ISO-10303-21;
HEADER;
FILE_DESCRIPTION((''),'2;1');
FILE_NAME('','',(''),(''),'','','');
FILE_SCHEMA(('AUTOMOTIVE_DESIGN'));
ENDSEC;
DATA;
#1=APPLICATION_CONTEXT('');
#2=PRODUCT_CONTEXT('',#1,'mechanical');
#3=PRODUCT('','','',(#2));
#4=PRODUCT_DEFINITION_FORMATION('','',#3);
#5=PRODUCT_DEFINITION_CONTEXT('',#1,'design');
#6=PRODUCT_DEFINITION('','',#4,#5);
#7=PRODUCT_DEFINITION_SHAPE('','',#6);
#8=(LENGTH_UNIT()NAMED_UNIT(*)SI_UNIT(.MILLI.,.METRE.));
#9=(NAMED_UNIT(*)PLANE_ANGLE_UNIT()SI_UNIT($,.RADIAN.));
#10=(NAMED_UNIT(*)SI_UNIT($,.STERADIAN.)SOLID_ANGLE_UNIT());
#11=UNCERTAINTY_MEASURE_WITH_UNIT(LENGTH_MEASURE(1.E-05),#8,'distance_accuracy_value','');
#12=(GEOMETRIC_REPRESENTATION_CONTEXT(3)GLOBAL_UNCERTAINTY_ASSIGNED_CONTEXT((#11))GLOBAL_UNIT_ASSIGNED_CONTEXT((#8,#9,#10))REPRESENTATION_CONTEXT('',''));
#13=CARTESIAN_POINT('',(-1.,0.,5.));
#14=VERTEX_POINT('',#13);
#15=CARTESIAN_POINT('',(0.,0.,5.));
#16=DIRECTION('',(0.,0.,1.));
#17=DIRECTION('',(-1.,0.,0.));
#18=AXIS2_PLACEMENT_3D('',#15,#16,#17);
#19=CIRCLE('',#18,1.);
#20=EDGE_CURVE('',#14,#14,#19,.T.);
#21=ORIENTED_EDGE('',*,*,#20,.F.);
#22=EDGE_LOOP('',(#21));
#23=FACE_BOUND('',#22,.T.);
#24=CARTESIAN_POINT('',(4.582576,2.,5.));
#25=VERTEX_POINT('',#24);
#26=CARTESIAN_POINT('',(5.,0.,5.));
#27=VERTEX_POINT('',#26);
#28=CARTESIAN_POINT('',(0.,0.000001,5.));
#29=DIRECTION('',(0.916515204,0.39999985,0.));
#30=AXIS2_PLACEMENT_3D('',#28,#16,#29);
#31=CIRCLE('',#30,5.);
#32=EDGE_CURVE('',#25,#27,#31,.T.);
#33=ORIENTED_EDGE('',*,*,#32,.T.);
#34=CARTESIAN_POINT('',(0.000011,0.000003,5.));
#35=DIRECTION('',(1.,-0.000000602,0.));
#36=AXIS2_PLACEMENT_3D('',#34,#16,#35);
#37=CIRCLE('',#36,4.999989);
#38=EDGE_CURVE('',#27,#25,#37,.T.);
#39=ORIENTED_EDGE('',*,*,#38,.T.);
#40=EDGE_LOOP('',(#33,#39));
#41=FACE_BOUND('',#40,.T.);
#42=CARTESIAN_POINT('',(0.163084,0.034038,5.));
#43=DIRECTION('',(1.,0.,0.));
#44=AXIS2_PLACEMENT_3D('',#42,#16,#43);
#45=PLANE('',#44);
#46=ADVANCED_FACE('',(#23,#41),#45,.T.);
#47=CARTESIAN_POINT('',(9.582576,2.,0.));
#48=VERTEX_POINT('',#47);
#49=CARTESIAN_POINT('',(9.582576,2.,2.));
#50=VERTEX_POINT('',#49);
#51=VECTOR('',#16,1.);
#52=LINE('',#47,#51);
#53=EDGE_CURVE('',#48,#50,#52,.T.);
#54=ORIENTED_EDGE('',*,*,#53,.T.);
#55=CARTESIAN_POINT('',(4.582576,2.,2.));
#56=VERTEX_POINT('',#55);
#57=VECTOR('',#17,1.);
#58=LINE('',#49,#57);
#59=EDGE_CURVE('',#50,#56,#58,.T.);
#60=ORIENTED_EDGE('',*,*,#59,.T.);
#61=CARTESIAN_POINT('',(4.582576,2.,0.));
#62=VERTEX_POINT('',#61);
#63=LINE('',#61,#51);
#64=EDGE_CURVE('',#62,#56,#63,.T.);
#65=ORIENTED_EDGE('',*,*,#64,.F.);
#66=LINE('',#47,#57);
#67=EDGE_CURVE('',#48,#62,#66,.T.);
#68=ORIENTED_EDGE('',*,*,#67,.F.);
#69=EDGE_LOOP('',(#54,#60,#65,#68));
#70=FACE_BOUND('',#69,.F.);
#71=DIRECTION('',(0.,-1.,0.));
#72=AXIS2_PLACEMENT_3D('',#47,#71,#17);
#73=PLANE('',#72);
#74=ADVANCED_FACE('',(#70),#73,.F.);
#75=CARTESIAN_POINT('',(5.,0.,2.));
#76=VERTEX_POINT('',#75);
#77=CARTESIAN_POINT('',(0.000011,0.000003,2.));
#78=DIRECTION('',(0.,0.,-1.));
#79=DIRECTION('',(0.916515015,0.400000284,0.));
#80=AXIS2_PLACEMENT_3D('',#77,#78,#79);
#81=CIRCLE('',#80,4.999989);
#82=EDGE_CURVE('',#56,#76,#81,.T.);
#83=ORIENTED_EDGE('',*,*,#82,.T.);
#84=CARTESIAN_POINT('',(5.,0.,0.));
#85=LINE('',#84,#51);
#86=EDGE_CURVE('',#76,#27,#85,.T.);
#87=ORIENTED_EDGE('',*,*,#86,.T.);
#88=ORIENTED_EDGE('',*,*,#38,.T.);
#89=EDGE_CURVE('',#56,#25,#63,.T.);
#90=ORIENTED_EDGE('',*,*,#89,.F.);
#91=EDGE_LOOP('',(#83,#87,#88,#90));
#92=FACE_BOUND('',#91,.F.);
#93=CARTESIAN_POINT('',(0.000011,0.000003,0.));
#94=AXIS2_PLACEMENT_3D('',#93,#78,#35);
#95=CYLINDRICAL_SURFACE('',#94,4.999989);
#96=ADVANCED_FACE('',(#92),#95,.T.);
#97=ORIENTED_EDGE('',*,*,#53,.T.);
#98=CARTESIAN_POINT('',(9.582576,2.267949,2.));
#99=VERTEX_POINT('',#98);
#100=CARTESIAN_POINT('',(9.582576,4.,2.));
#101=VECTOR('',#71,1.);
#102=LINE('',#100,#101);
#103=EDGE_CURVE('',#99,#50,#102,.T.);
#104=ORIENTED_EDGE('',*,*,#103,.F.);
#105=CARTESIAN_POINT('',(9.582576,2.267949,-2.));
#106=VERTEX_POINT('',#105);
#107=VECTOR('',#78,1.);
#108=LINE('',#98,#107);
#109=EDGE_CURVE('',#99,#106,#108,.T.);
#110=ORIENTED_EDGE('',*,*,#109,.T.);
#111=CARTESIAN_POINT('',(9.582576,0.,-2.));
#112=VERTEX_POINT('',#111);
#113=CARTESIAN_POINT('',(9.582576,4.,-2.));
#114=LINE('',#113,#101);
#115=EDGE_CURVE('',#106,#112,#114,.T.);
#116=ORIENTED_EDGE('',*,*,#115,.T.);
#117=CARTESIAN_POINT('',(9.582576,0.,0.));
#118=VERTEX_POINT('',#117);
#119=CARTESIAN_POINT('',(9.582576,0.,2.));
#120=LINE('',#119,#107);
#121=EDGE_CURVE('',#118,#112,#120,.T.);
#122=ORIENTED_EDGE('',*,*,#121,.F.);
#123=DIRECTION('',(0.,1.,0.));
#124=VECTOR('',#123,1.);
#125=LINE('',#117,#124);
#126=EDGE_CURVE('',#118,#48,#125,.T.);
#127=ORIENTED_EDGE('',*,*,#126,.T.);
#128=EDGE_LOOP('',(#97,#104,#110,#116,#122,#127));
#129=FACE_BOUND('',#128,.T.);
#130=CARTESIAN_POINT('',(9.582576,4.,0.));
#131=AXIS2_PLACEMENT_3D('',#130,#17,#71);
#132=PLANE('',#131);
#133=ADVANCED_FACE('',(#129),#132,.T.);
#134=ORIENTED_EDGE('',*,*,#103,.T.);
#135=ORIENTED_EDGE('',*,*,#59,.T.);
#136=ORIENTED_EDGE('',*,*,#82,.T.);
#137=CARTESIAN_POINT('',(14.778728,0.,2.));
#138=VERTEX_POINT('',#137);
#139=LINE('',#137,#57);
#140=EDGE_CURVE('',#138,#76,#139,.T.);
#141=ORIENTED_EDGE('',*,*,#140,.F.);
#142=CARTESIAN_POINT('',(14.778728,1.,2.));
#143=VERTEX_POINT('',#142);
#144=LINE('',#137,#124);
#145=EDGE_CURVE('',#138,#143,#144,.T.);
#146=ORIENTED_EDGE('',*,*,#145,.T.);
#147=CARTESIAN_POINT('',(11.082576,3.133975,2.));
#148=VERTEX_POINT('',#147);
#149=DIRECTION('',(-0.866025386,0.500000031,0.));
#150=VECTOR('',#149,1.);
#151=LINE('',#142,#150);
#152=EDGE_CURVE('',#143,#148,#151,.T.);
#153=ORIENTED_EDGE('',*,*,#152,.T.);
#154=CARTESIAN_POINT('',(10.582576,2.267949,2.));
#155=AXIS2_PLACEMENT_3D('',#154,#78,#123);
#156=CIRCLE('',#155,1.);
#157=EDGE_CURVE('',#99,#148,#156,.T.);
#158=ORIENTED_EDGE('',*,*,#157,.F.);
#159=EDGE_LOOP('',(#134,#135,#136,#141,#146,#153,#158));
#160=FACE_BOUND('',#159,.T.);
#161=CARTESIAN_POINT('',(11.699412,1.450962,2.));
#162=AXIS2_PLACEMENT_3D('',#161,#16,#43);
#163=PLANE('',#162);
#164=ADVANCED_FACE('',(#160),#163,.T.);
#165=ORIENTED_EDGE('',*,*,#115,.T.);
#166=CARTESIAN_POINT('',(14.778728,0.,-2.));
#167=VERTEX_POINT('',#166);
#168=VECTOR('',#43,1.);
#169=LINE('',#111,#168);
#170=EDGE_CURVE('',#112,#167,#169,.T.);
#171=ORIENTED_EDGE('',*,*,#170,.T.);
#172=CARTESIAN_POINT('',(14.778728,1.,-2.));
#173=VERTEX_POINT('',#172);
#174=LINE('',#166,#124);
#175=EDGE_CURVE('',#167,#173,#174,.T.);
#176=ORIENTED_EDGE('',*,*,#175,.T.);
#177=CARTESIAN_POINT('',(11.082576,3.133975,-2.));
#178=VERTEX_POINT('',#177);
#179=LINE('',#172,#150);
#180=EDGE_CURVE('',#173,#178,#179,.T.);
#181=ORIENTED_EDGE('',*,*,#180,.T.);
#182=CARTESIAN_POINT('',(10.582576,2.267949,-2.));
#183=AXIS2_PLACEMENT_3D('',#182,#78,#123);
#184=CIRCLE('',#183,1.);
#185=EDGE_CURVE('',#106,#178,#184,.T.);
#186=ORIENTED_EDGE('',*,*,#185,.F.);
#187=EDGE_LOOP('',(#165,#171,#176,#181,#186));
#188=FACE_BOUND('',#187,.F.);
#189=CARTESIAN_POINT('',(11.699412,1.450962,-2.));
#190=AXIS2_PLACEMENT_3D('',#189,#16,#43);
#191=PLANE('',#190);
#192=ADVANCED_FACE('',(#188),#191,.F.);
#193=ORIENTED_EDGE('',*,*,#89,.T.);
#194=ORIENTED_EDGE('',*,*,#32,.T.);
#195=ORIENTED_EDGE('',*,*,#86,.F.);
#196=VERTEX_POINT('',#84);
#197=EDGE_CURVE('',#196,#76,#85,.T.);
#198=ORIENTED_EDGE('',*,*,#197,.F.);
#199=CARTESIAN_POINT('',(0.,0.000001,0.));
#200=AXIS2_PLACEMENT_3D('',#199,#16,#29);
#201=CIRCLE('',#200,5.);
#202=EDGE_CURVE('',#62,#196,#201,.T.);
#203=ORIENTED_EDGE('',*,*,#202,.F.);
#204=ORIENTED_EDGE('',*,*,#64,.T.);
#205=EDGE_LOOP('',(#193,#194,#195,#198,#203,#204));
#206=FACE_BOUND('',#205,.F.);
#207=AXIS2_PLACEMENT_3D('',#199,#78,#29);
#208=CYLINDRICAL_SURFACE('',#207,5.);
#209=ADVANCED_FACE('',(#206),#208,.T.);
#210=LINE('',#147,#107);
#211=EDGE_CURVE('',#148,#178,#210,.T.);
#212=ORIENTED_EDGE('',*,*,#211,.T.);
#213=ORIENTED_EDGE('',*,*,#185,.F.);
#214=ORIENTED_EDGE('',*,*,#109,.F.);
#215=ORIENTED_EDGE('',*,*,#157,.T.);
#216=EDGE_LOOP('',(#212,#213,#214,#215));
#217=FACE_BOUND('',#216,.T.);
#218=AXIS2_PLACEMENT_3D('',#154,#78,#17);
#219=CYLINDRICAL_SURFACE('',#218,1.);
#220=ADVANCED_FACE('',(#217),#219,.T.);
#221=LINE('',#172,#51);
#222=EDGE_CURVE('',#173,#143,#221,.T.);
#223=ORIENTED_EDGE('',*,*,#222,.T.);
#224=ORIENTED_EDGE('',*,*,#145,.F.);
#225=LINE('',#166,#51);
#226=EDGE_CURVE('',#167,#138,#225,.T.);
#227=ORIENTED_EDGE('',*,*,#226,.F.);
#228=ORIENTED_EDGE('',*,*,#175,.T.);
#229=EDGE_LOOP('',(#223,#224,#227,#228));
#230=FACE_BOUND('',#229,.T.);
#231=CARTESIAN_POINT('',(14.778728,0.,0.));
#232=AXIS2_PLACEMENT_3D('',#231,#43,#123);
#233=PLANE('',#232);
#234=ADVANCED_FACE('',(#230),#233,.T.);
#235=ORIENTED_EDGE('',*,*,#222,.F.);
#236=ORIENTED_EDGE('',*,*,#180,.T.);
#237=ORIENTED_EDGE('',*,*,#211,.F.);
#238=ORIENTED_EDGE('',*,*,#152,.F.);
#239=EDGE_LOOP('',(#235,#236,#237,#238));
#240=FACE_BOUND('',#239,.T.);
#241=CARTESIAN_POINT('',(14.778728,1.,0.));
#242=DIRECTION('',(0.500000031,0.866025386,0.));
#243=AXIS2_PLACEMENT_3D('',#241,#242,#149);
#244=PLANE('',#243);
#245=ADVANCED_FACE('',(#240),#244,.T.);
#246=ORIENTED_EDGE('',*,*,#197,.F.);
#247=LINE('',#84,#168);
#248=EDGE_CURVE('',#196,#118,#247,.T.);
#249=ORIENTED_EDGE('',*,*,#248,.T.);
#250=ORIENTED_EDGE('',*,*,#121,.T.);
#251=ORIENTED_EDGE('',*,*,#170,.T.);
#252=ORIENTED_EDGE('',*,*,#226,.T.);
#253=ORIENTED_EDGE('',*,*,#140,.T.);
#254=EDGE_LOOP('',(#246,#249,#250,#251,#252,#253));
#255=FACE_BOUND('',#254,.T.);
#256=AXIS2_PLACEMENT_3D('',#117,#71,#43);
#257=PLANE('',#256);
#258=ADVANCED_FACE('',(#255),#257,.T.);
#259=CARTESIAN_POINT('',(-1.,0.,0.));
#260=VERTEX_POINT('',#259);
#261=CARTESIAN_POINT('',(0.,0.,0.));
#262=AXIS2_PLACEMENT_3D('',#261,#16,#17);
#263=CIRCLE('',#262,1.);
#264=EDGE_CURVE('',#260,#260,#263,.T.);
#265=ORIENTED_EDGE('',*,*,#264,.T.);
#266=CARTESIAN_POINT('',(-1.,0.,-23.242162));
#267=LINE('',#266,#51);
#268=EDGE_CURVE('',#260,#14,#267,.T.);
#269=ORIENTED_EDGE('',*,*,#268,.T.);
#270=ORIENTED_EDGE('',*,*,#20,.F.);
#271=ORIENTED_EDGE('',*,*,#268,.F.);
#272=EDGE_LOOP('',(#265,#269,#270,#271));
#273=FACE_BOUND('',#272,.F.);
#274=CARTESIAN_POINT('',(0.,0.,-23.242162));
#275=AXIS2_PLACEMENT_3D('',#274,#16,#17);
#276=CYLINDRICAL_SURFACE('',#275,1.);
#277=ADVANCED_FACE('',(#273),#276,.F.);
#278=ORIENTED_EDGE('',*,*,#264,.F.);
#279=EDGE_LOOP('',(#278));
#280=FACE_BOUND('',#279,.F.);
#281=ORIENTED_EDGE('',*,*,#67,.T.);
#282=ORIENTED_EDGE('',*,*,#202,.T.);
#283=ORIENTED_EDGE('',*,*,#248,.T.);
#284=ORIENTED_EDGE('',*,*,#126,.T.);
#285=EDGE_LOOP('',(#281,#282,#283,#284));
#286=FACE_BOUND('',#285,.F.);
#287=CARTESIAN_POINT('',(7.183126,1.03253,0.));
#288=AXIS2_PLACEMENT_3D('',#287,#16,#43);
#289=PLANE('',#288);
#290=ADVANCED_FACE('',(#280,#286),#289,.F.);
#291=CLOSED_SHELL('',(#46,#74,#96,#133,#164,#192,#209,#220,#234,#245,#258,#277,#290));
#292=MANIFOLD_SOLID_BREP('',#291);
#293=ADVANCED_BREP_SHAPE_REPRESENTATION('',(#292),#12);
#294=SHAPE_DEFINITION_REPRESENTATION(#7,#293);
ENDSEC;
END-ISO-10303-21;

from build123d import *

# Parameters (mm, degrees)
F1_DEPTH = 5
F2_DEPTH = 2
F3_DEPTH = 2
F4_D     = 2
F5_R     = 1


with BuildPart() as f1:
    # F0 (on Top) → F1 (new body)
    with BuildSketch(Plane.XY):
        with BuildLine():
            ThreePointArc((4.582576, 2), (-4.894532, -1.021548), (5, 0))
            ThreePointArc((5, 0), (4.894532, 1.021548), (4.582576, 2))
        make_face()
    extrude(amount=F1_DEPTH)

    # F0 (on Top) → F2 (join)
    with BuildSketch(Plane.XY):
        with BuildLine():
            ThreePointArc((4.582576, 2), (4.894532, 1.021548), (5, 0))
            Line((5, 0), (9.582576, 0))
            Line((9.582576, 0), (9.582576, 2))
            Line((9.582576, 2), (4.582576, 2))
        make_face()
    extrude(amount=F2_DEPTH)

    # F0 (on Top) → F3 (join, symmetric)
    with BuildSketch(Plane.XY):
        Polygon((9.582576, 2), (9.582576, 0), (14.778728, 0), (14.778728, 1), (9.582576, 4), align=None)
    extrude(amount=F3_DEPTH, both=True)

    # F4 (through all)
    with Locations(Plane(origin=(0, 0, 0), x_dir=(1, 0, 0), z_dir=(0, 0, -1))):
        with Locations((0, 0)):
            Hole(F4_D / 2)

    # F5
    f5_edges = [f1.edges().sort_by_distance(p)[0] for p in [
        (9.582576, 4, 0),
    ]]
    fillet(f5_edges, radius=F5_R)


solid = f1.part
